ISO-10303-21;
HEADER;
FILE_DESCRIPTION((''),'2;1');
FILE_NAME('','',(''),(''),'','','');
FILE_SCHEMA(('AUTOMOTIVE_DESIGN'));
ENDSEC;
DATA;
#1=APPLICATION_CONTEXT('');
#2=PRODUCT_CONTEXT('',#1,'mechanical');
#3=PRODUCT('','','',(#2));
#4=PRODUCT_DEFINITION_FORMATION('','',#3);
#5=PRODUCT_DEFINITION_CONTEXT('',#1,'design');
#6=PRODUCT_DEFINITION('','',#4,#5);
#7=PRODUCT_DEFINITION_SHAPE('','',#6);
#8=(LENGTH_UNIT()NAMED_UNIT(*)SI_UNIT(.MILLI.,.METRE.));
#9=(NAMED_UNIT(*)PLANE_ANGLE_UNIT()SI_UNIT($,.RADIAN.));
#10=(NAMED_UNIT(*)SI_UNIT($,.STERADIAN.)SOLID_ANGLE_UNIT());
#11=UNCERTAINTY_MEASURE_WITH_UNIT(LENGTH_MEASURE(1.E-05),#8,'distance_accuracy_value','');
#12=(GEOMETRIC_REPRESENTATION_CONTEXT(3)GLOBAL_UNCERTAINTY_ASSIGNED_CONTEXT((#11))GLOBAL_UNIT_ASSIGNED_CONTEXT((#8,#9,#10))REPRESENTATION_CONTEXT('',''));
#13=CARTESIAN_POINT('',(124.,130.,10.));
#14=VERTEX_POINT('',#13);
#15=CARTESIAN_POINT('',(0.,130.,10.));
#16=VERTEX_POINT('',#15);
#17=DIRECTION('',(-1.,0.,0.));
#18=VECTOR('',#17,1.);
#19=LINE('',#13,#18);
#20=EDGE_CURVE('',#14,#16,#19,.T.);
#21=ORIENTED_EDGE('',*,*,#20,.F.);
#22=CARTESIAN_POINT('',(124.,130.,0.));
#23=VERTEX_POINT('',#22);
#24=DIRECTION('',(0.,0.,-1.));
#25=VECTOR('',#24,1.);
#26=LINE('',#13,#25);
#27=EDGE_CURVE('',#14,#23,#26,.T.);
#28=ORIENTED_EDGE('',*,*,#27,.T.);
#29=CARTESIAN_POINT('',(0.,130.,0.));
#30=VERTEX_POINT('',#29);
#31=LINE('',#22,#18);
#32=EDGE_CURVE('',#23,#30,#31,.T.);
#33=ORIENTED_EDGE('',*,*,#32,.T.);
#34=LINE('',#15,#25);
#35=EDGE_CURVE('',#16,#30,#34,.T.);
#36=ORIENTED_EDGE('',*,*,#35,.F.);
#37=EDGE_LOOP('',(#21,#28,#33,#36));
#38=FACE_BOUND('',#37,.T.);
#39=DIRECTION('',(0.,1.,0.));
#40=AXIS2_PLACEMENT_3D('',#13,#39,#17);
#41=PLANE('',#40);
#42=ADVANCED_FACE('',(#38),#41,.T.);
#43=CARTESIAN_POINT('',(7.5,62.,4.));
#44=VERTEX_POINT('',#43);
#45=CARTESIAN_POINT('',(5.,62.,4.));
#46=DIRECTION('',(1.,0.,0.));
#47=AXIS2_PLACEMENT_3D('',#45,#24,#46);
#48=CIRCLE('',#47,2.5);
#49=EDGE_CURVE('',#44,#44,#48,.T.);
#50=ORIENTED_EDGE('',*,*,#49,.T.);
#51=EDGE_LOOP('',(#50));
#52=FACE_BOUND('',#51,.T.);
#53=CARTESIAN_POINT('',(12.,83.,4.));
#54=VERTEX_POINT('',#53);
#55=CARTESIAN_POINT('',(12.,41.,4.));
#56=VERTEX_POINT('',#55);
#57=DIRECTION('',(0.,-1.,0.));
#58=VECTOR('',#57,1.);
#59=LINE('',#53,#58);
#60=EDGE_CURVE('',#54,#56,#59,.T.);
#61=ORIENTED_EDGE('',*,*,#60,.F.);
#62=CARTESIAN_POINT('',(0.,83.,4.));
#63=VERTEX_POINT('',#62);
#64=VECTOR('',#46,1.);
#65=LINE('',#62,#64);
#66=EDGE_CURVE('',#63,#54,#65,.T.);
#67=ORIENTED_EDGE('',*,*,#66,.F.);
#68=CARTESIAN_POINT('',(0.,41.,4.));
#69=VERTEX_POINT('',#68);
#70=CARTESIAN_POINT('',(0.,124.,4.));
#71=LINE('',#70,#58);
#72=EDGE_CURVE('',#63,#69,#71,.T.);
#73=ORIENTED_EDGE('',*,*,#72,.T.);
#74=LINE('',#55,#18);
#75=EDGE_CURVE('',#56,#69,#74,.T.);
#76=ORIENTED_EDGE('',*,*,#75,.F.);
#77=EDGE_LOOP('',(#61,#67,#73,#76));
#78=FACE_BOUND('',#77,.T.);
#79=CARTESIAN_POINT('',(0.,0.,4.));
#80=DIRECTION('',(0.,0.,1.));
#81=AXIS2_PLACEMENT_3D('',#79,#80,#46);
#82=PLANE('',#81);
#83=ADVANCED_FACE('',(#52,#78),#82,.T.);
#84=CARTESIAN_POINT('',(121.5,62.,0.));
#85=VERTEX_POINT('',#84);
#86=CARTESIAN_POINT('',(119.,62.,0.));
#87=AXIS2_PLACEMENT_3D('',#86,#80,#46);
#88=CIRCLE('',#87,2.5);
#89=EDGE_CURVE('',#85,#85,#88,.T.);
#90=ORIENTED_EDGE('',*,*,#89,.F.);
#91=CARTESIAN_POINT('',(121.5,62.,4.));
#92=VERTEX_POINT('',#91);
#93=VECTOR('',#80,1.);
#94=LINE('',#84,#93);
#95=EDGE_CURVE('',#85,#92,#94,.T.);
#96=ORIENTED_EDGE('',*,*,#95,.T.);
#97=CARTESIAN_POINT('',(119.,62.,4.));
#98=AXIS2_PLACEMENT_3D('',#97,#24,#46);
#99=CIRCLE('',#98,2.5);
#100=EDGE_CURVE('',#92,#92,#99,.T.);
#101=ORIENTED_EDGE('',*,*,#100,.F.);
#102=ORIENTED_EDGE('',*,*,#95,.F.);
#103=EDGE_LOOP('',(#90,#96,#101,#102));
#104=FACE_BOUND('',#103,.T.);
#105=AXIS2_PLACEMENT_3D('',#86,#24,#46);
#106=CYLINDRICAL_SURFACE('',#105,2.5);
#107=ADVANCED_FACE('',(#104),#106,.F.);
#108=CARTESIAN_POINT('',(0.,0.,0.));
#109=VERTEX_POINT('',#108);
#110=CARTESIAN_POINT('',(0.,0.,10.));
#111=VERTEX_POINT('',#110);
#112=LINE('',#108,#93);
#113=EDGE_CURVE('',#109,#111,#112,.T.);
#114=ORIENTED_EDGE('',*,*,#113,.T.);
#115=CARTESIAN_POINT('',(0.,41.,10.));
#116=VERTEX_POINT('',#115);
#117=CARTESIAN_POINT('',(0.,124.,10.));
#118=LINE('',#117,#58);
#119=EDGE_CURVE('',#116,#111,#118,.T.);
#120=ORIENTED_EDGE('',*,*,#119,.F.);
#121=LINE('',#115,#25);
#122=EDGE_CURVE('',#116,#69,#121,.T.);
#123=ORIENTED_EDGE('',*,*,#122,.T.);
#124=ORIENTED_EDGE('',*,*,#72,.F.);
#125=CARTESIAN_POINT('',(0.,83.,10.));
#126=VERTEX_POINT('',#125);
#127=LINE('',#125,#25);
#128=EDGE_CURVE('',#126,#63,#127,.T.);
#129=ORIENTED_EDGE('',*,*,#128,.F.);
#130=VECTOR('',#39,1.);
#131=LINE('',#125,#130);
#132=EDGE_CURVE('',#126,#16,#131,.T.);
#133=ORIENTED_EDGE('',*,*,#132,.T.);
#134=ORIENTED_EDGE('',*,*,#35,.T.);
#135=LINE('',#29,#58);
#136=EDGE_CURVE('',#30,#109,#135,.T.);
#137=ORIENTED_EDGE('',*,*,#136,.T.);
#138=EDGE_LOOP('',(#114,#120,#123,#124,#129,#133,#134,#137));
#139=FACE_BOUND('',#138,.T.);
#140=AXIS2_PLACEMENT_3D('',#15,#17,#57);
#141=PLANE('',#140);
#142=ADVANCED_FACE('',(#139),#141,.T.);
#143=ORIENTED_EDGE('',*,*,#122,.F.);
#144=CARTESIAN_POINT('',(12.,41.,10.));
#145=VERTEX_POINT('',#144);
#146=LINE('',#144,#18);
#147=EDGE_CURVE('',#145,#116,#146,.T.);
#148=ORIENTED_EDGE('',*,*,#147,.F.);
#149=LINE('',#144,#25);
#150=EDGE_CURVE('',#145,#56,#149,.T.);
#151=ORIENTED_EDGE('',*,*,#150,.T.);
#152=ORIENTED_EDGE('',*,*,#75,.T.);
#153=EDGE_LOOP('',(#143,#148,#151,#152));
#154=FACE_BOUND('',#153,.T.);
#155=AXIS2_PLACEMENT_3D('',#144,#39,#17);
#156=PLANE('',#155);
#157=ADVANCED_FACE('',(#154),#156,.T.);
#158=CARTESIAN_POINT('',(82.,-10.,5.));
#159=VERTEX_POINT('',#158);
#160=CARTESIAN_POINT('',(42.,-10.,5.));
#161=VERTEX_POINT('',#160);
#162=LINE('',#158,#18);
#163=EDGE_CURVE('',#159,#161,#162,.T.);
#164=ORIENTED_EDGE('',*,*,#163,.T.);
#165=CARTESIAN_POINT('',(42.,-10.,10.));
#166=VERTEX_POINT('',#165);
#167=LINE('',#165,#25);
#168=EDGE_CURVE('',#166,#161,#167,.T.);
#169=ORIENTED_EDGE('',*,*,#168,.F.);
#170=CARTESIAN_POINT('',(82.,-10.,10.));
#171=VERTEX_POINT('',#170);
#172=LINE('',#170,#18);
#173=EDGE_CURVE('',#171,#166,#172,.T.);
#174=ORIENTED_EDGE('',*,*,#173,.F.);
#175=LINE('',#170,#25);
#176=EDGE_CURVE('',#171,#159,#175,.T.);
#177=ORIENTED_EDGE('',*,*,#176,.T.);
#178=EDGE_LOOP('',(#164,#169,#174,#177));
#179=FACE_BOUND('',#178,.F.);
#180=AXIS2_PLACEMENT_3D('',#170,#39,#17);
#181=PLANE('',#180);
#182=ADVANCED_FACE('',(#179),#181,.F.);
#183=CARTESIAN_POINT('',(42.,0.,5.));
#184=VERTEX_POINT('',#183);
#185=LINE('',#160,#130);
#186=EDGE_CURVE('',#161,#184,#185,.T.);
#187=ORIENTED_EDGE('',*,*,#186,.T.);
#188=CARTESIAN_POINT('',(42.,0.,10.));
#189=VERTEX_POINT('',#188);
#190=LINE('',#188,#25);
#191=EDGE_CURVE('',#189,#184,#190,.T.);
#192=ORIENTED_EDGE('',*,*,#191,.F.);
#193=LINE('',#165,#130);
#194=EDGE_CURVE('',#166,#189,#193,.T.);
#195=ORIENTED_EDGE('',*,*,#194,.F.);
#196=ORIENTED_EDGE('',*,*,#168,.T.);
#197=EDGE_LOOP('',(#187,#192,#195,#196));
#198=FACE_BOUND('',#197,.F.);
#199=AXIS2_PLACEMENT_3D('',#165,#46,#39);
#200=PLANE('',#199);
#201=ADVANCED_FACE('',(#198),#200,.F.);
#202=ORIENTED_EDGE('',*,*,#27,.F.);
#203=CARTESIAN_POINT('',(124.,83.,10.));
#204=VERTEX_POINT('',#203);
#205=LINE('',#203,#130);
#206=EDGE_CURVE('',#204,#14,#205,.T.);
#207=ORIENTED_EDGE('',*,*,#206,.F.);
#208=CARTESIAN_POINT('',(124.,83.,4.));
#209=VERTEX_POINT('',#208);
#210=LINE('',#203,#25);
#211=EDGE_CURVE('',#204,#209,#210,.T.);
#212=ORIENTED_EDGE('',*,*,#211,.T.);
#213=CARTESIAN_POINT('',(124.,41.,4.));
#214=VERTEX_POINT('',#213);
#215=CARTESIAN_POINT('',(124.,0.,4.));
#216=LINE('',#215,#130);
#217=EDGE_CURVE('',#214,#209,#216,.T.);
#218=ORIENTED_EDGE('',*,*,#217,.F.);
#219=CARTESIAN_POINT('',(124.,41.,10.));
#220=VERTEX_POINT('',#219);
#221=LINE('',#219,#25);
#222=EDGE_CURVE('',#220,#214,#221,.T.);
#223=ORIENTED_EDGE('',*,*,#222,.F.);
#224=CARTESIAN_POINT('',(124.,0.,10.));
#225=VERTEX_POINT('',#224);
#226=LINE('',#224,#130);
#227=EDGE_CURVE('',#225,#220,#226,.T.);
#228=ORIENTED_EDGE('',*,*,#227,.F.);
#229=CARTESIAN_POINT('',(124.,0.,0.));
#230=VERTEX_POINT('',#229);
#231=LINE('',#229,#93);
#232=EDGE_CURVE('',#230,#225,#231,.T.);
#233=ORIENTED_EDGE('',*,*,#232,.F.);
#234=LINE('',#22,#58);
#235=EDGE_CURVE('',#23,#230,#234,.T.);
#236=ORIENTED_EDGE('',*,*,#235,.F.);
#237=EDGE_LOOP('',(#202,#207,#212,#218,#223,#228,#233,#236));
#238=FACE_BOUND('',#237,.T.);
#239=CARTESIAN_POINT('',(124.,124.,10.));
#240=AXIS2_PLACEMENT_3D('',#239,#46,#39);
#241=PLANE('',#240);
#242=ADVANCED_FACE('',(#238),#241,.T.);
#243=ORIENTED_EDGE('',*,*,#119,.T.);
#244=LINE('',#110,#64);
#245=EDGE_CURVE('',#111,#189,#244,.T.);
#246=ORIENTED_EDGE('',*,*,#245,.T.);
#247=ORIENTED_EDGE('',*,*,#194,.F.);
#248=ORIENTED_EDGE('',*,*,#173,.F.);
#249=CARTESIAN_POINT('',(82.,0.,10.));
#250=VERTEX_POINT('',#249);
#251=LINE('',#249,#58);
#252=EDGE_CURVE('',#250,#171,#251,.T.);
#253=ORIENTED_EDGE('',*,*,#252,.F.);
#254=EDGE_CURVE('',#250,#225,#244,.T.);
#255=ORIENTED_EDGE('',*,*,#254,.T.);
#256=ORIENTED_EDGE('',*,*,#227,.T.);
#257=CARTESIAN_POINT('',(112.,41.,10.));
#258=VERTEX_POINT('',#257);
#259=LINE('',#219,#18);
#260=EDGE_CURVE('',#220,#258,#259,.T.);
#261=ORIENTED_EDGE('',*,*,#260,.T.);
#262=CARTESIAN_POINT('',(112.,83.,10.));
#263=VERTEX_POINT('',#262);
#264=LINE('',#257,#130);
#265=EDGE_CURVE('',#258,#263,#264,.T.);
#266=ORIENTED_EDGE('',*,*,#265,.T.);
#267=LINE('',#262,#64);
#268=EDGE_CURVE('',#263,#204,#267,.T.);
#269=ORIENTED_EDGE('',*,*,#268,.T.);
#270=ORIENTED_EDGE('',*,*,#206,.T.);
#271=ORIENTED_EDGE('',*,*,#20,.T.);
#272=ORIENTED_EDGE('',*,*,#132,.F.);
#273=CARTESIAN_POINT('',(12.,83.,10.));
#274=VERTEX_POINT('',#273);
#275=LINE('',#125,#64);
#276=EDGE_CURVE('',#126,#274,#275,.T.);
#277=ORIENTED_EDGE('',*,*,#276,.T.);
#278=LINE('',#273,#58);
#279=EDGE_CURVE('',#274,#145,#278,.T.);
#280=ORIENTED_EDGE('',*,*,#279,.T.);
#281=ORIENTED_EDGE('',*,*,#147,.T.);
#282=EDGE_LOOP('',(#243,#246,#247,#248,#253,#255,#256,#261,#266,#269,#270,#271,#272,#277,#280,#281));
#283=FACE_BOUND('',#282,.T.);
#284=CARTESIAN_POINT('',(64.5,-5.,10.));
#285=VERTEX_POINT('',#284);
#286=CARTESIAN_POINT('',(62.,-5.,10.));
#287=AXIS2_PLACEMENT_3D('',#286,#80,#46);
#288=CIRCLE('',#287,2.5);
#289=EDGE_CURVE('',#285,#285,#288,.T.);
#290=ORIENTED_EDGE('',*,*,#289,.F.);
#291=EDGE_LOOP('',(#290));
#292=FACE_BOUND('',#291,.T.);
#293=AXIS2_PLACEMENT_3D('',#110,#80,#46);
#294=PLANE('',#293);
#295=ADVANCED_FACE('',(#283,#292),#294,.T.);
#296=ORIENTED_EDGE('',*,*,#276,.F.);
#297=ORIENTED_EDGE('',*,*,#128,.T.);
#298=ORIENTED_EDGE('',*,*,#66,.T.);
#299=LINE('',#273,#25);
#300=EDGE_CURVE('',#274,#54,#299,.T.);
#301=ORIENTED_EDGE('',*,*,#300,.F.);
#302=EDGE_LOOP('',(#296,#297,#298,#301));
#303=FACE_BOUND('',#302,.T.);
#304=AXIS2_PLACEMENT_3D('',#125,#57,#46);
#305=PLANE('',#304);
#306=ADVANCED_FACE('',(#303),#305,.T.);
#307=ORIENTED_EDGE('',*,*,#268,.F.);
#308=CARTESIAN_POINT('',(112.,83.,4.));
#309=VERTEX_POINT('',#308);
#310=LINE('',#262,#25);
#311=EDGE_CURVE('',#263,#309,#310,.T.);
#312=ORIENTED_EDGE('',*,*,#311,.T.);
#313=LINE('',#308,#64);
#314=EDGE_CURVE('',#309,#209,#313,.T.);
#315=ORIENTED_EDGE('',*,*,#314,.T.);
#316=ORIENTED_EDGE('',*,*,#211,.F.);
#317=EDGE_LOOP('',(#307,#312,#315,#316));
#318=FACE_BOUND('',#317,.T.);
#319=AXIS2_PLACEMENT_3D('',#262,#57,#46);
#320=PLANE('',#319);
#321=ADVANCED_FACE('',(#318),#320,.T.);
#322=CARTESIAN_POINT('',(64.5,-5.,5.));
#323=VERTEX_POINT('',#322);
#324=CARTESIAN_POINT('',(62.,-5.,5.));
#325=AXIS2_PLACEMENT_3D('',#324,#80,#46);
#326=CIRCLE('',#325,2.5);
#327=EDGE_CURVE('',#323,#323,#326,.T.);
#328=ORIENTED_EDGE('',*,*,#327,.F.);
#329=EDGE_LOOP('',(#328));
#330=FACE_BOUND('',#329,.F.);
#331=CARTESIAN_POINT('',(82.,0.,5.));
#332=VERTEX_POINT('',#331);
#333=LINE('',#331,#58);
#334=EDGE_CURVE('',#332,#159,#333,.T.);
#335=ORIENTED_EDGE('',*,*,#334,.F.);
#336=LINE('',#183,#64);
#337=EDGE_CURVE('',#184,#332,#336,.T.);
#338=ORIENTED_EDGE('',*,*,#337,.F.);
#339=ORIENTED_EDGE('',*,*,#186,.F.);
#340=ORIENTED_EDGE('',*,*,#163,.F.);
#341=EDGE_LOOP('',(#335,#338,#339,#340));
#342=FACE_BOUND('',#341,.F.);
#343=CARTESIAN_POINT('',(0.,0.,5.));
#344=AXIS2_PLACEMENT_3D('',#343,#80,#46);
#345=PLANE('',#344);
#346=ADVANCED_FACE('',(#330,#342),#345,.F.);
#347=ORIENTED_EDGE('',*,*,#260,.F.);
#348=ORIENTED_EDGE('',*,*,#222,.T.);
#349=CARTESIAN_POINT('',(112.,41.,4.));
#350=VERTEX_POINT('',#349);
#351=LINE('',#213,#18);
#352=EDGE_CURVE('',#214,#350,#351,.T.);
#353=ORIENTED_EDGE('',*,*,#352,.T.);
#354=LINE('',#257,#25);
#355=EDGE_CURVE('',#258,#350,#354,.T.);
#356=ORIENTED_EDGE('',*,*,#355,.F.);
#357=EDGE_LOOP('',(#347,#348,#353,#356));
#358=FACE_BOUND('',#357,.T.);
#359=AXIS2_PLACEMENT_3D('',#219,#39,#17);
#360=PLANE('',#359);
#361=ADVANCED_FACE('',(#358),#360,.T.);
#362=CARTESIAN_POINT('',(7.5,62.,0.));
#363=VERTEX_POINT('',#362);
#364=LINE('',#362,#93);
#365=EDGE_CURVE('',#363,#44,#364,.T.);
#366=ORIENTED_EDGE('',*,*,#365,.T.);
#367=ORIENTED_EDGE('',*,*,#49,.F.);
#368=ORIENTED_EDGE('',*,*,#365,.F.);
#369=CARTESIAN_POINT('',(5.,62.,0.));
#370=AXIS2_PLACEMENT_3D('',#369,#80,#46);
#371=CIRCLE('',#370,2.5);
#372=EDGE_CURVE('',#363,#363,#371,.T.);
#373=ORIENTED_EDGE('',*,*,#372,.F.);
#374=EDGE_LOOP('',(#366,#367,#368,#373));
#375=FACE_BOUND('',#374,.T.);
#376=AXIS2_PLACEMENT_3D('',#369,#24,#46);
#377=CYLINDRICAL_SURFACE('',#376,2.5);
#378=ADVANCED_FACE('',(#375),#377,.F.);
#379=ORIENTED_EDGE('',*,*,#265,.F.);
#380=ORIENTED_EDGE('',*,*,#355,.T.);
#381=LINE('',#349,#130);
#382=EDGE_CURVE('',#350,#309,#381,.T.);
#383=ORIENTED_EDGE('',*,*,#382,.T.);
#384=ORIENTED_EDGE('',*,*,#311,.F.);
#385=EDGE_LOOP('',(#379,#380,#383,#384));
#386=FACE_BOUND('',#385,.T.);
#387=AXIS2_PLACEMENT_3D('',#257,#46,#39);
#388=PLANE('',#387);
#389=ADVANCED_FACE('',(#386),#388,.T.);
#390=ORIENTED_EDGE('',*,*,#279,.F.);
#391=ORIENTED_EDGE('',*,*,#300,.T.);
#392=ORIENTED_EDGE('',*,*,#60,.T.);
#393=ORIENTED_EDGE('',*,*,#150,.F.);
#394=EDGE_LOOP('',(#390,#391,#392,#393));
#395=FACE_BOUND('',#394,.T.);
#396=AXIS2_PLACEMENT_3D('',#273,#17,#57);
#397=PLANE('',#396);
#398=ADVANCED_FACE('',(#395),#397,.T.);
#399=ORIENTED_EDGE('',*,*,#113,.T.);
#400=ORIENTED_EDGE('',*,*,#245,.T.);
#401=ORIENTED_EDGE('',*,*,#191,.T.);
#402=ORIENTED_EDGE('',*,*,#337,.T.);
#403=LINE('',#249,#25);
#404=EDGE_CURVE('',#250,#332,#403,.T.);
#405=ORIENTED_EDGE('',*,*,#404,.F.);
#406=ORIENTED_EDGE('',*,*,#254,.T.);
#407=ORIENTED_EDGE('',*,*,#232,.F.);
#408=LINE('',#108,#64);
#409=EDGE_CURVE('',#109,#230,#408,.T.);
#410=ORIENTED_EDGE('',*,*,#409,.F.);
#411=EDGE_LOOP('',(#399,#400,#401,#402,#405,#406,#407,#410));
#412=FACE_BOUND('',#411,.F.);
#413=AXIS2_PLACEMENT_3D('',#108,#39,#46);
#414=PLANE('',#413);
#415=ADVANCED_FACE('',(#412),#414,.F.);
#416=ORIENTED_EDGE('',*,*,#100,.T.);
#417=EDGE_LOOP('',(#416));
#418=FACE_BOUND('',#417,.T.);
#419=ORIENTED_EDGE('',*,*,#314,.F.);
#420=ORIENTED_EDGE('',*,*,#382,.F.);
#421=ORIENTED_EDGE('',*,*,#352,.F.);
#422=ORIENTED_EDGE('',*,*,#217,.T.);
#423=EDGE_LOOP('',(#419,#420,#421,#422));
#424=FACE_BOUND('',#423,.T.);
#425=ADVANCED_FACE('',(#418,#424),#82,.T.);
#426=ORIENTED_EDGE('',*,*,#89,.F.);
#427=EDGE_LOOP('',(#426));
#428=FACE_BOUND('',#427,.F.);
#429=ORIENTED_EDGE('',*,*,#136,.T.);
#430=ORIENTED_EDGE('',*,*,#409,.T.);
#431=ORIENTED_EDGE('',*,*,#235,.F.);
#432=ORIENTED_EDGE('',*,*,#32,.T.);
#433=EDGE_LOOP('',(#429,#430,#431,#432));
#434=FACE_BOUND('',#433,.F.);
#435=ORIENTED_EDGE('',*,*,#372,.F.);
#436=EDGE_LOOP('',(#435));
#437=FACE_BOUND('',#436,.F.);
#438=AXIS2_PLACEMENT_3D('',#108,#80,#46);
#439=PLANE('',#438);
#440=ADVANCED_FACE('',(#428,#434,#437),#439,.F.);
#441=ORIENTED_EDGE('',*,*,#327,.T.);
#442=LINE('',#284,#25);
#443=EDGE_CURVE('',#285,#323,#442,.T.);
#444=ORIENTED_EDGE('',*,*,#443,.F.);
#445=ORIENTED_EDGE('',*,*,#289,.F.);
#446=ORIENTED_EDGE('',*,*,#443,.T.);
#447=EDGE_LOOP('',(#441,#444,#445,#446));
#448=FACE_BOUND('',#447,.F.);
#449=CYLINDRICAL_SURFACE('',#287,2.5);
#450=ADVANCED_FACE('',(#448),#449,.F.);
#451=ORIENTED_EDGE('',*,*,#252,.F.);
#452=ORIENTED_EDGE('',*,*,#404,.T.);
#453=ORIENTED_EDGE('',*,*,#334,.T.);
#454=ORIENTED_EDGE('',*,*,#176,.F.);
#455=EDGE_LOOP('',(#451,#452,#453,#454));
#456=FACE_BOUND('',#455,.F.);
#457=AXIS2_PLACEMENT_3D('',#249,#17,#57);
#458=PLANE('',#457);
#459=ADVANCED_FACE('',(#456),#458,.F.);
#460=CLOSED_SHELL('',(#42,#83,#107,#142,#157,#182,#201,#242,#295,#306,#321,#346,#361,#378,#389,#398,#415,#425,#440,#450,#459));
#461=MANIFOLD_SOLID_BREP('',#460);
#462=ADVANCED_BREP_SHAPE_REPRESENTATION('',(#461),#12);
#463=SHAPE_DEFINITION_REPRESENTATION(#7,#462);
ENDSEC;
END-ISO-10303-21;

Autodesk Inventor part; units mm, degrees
ref_plane "YZ Plane" through (0, 0, 0) normal (1, 0, 0) x (0, 1, 0)
ref_plane "XZ Plane" through (0, 0, 0) normal (0, 1, 0) x (-1, 0, 0)
ref_plane "XY Plane" through (0, 0, 0) normal (0, 0, 1) x (1, 0, 0)
sketch "Sketch1" plane through (0, 0, 0) normal (0, 0, 1) x (1, 0, 0)
  line L0 (0, 0) -> (124, 0)
  line L1 (124, 0) -> (124, 124)
  line L2 (124, 124) -> (0, 124)
  line L3 (0, 124) -> (0, 0)
  circle A0 centre (5, 62) radius 2.5
  circle A1 centre (119, 62) radius 2.5
  point P0 (124, 62)
  point P1 (0, 62)
  dimension "d0" = 124
  dimension "d1" = 124
  dimension "d2" = 5
  dimension "d3" = 5
  dimension "d4" = 5
  dimension "d5" = 5
extrude "Extrusion1" add sketch "Sketch1" along normal blind 10
sketch "Sketch2" plane through (0, 0, 10) normal (0, 0, 1) x (1, 0, 0)
  line L0 (42, 0) -> (82, 0)
  line L1 (82, 0) -> (82, -10)
  line L2 (82, -10) -> (42, -10)
  line L3 (42, -10) -> (42, 0)
  circle A0 centre (62, -5) radius 2.5
  line L4 (0, 0) -> (124, 0) projected
  point P0 (82, -5)
  point P1 (62, -10)
  point P2 (62, 0)
  dimension "d8" = 40
  dimension "d9" = 10
  dimension "d10" = 5
extrude "Extrusion2" add sketch "Sketch2" against normal blind 5
sketch "Sketch3" plane through (0, 0, 10) normal (0, 0, 1) x (1, 0, 0)
  line L0 (0, 124) -> (0, 0) projected
  line L1 (0, 83) -> (12, 83)
  line L2 (12, 83) -> (12, 41)
  line L3 (12, 41) -> (0, 41)
  line L4 (0, 41) -> (0, 83)
  line L5 (124, 0) -> (124, 124) projected
  line L6 (124, 41) -> (112, 41)
  line L7 (112, 41) -> (112, 83)
  line L8 (112, 83) -> (124, 83)
  line L9 (124, 83) -> (124, 41)
  point P0 (124, 62)
  point P1 (124, 62)
  dimension "d13" = 12
  dimension "d14" = 42
  dimension "d15" = 12
  dimension "d16" = 42
extrude "Extrusion3" cut sketch "Sketch3" against normal blind 6
sketch "Sketch4" plane through (0, 0, 10) normal (0, 0, 1) x (1, 0, 0)
  line L0 (0, 124) -> (0, 0) projected
  line L1 (0, 124) -> (124, 124)
  line L2 (124, 124) -> (124, 130)
  line L3 (124, 130) -> (0, 130)
  line L4 (0, 130) -> (0, 124)
  dimension "d19" = 6
extrude "Extrusion4" add sketch "Sketch4" against normal blind 10
properties part number "TC008" material "ABS Plastic"
